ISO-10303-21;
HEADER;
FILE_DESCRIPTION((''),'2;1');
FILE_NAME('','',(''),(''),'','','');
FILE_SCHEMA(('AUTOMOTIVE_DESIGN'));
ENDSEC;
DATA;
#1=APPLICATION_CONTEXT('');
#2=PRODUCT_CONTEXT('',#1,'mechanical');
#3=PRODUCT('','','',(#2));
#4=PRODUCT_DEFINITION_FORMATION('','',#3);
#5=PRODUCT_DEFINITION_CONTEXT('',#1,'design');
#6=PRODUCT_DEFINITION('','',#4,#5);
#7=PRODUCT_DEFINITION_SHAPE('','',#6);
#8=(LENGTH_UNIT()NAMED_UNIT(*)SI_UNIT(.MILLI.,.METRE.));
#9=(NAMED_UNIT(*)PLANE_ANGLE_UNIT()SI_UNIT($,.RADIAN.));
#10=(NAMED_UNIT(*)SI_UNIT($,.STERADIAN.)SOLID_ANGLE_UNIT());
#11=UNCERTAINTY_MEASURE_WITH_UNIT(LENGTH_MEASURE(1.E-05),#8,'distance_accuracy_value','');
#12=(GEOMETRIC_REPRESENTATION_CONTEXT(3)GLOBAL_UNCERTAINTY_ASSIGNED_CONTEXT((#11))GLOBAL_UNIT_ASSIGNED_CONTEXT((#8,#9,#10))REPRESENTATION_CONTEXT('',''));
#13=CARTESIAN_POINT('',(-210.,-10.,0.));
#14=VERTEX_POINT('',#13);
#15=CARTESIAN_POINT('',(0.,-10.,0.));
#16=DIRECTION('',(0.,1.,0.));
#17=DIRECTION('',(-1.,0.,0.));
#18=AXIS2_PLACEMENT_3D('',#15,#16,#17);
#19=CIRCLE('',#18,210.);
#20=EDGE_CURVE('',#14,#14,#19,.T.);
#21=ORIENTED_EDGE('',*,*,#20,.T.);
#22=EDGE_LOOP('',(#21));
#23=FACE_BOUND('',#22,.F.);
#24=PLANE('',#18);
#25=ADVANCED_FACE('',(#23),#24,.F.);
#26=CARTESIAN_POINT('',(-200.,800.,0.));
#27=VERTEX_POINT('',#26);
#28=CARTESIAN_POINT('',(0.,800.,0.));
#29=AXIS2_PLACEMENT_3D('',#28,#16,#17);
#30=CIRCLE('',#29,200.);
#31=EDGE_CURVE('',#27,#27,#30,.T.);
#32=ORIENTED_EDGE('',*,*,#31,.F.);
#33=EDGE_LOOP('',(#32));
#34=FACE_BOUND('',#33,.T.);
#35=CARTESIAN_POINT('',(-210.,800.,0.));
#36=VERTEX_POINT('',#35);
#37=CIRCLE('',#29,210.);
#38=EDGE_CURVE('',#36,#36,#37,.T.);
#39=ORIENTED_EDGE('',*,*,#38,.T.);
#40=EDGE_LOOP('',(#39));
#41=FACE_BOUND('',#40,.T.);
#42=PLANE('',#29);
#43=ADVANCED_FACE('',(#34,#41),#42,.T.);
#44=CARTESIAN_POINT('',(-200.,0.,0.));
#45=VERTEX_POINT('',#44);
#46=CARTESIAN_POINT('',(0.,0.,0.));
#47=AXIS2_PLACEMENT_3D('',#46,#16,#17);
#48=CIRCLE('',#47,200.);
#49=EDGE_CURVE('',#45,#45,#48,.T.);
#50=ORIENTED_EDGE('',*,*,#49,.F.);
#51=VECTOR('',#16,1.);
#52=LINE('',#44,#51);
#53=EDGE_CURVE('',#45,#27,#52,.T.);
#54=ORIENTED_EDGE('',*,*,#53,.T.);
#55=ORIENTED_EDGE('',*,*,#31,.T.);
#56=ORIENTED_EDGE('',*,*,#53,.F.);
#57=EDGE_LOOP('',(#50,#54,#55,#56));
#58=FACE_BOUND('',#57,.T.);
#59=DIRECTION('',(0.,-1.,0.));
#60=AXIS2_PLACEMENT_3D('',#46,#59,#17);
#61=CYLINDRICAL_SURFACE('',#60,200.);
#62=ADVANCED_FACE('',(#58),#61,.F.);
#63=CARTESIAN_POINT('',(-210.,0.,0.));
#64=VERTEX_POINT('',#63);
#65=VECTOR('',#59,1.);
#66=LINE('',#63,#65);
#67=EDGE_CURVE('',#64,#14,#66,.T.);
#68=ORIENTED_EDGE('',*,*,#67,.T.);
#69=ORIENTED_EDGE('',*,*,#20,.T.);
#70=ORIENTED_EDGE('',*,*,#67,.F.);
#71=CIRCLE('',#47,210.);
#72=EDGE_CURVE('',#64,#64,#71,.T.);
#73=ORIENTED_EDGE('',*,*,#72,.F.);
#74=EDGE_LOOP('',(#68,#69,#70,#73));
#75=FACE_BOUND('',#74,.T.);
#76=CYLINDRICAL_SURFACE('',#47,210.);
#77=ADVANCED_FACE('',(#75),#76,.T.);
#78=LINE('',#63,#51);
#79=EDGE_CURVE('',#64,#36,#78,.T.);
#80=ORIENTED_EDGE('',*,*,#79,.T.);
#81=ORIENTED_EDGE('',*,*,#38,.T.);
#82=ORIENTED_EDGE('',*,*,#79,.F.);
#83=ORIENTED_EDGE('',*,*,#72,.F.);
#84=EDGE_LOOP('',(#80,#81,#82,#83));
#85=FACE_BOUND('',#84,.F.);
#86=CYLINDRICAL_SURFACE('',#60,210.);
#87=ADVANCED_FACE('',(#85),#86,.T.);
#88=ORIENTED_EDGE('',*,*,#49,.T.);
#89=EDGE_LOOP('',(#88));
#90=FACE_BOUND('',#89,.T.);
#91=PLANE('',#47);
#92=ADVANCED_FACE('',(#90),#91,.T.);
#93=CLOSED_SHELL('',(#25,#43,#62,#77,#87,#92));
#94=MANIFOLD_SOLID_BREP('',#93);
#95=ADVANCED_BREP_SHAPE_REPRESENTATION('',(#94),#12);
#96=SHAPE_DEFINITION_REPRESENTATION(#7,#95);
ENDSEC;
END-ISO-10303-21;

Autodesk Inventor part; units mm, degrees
ref_plane "XZ Plane" through (0, 0, 0) normal (0, 1, 0) x (-1, 0, 0)
sketch "Sketch1" plane through (0, 0, 0) normal (0, 1, 0) x (-1, 0, 0)
  circle A0 centre (0, 0) radius 200
  circle A1 centre (0, 0) radius 210
  dimension "d0" = 400
  dimension "d1" = 420
extrude "Extrusion1" add sketch "Sketch1" against normal blind 10 contours A0 | A1
extrude "Extrusion2" add sketch "Sketch1" along normal blind 800
ref_plane "Work Plane1" through (210, 0, 0) normal (1, 0, 0) x (0, 1, 0)
sketch "Sketch2" plane through (210, 0, 0) normal (1, 0, 0) x (0, 1, 0)
  circle A0 centre (25, 0) radius 15
  point P0 (0, 0)
  dimension "d7" = 30
  dimension "d8" = 25
ref_plane "Work Plane2" through (230, 25, 0) normal (1, 0, 0) x (0, 0, -1)
sketch "Sketch3" plane through (230, 25, 0) normal (1, 0, 0) x (0, 0, -1)
  circle A0 centre (0, 0) radius 14.175
  point P0 (0, -25)
  dimension "d20" = 28.35
sketch "Sketch5" plane through (0, 800, 0) normal (0, 1, 0) x (1, 0, 0)
  circle A0 centre (0, 0) radius 210 projected
  line L0 (-210, 0) -> (210, 0)
  line L1 (-200.1693, -63.5) -> (200.1693, -63.5)
  dimension "d27" = 420
  dimension "d29" = 63.5
properties part number "Tank_M"
